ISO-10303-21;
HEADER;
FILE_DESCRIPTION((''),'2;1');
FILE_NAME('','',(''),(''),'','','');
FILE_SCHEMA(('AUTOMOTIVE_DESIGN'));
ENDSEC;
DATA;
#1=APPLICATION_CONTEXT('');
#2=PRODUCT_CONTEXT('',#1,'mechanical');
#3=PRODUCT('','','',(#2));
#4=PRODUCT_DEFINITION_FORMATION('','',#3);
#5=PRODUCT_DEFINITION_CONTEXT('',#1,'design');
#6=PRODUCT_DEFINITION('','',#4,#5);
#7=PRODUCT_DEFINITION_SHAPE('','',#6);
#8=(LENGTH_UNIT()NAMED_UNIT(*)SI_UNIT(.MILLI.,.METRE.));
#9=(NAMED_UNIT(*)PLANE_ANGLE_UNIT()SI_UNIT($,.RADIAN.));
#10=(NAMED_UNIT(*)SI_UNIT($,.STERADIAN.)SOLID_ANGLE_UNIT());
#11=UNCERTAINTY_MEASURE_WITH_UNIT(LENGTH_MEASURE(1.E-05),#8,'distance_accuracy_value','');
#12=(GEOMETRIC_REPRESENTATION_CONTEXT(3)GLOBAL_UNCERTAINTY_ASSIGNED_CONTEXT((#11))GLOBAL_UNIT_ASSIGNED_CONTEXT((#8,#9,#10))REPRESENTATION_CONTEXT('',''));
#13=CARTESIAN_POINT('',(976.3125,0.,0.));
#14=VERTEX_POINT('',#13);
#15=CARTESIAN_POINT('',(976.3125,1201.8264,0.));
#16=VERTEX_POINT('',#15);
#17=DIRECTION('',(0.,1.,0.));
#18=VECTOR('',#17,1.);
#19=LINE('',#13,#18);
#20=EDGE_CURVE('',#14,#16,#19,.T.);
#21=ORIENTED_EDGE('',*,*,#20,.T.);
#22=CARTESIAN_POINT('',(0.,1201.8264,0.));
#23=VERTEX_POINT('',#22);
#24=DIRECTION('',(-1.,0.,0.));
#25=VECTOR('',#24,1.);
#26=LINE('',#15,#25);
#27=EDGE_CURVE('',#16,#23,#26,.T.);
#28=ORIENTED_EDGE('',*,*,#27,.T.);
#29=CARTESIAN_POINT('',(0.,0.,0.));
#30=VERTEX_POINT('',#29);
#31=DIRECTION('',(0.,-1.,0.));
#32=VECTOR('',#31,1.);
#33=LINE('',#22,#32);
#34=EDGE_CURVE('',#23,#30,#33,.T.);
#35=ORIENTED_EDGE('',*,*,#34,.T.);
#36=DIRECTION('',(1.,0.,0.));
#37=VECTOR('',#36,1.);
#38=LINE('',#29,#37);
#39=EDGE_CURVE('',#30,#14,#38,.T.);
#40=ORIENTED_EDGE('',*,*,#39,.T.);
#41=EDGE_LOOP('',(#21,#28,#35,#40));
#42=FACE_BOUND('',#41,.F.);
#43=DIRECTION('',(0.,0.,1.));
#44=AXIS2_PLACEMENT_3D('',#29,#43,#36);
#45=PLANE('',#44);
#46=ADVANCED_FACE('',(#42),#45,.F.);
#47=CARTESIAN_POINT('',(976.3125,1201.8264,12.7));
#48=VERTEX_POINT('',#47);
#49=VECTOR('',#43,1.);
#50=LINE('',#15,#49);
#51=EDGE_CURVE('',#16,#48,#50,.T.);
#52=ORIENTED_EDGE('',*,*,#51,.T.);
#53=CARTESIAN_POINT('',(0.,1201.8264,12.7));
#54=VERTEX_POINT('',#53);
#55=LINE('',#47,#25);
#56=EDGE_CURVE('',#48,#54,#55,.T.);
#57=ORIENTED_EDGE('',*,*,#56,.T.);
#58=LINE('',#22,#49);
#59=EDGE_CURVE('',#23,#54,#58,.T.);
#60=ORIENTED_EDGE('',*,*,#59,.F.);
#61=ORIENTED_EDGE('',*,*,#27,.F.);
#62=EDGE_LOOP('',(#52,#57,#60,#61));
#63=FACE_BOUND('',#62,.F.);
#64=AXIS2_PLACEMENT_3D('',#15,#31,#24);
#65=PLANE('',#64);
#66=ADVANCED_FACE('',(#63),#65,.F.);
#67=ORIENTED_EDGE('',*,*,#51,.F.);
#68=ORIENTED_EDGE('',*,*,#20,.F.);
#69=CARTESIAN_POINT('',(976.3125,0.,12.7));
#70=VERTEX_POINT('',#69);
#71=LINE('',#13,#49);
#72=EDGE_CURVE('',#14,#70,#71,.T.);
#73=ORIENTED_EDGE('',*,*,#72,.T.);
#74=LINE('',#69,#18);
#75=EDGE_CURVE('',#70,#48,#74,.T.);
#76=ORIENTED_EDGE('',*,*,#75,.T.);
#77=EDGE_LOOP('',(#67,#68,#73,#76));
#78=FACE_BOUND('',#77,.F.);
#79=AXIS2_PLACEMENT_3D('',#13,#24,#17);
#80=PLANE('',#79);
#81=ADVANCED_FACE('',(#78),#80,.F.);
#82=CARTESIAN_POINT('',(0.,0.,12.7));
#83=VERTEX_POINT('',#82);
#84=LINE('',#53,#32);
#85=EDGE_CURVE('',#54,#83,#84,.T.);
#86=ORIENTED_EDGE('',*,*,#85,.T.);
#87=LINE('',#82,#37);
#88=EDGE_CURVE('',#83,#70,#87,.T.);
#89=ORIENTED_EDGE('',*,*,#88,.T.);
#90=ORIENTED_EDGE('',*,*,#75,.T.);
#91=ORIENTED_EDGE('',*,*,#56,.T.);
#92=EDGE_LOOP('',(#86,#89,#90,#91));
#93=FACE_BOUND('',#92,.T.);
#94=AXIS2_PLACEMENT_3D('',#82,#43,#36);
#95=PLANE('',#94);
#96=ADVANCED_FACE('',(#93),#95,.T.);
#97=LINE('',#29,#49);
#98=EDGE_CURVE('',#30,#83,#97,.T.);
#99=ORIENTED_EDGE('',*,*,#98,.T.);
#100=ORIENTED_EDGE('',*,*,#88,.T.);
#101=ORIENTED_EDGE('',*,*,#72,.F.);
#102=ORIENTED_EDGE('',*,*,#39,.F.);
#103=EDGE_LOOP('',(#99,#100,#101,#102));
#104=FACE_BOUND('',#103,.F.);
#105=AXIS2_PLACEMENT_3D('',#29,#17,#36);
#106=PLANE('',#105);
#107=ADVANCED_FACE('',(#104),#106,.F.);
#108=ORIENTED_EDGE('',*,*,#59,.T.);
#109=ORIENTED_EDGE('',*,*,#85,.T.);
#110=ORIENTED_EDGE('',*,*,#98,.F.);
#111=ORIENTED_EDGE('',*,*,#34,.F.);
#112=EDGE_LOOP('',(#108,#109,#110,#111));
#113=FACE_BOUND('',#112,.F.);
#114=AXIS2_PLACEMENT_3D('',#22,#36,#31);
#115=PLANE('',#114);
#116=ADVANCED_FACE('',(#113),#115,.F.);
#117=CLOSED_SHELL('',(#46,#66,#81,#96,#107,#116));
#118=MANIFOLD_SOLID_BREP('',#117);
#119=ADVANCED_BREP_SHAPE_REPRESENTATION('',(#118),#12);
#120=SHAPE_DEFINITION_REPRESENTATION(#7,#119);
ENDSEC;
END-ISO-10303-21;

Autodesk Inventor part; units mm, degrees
ref_plane "YZ Plane" through (0, 0, 0) normal (1, 0, 0) x (0, 1, 0)
ref_plane "XZ Plane" through (0, 0, 0) normal (0, 1, 0) x (-1, 0, 0)
ref_plane "XY Plane" through (0, 0, 0) normal (0, 0, 1) x (1, 0, 0)
sketch "Sketch1" plane through (0, 0, 0) normal (0, 0, 1) x (1, 0, 0)
  line L0 (0, 0) -> (976.3125, 0)
  line L1 (976.3125, 0) -> (976.3125, 1201.8264)
  line L2 (976.3125, 1201.8264) -> (0, 1201.8264)
  line L3 (0, 1201.8264) -> (0, 0)
  dimension "d2" = 1201.8264
  dimension "d3" = 976.3125
extrude "Extrusion1" add sketch "Sketch1" along normal blind 12.7
properties part number "OSB_For_Walls_With_Dimensions_37_x_48_Inches" material "Wood (Birch)"
